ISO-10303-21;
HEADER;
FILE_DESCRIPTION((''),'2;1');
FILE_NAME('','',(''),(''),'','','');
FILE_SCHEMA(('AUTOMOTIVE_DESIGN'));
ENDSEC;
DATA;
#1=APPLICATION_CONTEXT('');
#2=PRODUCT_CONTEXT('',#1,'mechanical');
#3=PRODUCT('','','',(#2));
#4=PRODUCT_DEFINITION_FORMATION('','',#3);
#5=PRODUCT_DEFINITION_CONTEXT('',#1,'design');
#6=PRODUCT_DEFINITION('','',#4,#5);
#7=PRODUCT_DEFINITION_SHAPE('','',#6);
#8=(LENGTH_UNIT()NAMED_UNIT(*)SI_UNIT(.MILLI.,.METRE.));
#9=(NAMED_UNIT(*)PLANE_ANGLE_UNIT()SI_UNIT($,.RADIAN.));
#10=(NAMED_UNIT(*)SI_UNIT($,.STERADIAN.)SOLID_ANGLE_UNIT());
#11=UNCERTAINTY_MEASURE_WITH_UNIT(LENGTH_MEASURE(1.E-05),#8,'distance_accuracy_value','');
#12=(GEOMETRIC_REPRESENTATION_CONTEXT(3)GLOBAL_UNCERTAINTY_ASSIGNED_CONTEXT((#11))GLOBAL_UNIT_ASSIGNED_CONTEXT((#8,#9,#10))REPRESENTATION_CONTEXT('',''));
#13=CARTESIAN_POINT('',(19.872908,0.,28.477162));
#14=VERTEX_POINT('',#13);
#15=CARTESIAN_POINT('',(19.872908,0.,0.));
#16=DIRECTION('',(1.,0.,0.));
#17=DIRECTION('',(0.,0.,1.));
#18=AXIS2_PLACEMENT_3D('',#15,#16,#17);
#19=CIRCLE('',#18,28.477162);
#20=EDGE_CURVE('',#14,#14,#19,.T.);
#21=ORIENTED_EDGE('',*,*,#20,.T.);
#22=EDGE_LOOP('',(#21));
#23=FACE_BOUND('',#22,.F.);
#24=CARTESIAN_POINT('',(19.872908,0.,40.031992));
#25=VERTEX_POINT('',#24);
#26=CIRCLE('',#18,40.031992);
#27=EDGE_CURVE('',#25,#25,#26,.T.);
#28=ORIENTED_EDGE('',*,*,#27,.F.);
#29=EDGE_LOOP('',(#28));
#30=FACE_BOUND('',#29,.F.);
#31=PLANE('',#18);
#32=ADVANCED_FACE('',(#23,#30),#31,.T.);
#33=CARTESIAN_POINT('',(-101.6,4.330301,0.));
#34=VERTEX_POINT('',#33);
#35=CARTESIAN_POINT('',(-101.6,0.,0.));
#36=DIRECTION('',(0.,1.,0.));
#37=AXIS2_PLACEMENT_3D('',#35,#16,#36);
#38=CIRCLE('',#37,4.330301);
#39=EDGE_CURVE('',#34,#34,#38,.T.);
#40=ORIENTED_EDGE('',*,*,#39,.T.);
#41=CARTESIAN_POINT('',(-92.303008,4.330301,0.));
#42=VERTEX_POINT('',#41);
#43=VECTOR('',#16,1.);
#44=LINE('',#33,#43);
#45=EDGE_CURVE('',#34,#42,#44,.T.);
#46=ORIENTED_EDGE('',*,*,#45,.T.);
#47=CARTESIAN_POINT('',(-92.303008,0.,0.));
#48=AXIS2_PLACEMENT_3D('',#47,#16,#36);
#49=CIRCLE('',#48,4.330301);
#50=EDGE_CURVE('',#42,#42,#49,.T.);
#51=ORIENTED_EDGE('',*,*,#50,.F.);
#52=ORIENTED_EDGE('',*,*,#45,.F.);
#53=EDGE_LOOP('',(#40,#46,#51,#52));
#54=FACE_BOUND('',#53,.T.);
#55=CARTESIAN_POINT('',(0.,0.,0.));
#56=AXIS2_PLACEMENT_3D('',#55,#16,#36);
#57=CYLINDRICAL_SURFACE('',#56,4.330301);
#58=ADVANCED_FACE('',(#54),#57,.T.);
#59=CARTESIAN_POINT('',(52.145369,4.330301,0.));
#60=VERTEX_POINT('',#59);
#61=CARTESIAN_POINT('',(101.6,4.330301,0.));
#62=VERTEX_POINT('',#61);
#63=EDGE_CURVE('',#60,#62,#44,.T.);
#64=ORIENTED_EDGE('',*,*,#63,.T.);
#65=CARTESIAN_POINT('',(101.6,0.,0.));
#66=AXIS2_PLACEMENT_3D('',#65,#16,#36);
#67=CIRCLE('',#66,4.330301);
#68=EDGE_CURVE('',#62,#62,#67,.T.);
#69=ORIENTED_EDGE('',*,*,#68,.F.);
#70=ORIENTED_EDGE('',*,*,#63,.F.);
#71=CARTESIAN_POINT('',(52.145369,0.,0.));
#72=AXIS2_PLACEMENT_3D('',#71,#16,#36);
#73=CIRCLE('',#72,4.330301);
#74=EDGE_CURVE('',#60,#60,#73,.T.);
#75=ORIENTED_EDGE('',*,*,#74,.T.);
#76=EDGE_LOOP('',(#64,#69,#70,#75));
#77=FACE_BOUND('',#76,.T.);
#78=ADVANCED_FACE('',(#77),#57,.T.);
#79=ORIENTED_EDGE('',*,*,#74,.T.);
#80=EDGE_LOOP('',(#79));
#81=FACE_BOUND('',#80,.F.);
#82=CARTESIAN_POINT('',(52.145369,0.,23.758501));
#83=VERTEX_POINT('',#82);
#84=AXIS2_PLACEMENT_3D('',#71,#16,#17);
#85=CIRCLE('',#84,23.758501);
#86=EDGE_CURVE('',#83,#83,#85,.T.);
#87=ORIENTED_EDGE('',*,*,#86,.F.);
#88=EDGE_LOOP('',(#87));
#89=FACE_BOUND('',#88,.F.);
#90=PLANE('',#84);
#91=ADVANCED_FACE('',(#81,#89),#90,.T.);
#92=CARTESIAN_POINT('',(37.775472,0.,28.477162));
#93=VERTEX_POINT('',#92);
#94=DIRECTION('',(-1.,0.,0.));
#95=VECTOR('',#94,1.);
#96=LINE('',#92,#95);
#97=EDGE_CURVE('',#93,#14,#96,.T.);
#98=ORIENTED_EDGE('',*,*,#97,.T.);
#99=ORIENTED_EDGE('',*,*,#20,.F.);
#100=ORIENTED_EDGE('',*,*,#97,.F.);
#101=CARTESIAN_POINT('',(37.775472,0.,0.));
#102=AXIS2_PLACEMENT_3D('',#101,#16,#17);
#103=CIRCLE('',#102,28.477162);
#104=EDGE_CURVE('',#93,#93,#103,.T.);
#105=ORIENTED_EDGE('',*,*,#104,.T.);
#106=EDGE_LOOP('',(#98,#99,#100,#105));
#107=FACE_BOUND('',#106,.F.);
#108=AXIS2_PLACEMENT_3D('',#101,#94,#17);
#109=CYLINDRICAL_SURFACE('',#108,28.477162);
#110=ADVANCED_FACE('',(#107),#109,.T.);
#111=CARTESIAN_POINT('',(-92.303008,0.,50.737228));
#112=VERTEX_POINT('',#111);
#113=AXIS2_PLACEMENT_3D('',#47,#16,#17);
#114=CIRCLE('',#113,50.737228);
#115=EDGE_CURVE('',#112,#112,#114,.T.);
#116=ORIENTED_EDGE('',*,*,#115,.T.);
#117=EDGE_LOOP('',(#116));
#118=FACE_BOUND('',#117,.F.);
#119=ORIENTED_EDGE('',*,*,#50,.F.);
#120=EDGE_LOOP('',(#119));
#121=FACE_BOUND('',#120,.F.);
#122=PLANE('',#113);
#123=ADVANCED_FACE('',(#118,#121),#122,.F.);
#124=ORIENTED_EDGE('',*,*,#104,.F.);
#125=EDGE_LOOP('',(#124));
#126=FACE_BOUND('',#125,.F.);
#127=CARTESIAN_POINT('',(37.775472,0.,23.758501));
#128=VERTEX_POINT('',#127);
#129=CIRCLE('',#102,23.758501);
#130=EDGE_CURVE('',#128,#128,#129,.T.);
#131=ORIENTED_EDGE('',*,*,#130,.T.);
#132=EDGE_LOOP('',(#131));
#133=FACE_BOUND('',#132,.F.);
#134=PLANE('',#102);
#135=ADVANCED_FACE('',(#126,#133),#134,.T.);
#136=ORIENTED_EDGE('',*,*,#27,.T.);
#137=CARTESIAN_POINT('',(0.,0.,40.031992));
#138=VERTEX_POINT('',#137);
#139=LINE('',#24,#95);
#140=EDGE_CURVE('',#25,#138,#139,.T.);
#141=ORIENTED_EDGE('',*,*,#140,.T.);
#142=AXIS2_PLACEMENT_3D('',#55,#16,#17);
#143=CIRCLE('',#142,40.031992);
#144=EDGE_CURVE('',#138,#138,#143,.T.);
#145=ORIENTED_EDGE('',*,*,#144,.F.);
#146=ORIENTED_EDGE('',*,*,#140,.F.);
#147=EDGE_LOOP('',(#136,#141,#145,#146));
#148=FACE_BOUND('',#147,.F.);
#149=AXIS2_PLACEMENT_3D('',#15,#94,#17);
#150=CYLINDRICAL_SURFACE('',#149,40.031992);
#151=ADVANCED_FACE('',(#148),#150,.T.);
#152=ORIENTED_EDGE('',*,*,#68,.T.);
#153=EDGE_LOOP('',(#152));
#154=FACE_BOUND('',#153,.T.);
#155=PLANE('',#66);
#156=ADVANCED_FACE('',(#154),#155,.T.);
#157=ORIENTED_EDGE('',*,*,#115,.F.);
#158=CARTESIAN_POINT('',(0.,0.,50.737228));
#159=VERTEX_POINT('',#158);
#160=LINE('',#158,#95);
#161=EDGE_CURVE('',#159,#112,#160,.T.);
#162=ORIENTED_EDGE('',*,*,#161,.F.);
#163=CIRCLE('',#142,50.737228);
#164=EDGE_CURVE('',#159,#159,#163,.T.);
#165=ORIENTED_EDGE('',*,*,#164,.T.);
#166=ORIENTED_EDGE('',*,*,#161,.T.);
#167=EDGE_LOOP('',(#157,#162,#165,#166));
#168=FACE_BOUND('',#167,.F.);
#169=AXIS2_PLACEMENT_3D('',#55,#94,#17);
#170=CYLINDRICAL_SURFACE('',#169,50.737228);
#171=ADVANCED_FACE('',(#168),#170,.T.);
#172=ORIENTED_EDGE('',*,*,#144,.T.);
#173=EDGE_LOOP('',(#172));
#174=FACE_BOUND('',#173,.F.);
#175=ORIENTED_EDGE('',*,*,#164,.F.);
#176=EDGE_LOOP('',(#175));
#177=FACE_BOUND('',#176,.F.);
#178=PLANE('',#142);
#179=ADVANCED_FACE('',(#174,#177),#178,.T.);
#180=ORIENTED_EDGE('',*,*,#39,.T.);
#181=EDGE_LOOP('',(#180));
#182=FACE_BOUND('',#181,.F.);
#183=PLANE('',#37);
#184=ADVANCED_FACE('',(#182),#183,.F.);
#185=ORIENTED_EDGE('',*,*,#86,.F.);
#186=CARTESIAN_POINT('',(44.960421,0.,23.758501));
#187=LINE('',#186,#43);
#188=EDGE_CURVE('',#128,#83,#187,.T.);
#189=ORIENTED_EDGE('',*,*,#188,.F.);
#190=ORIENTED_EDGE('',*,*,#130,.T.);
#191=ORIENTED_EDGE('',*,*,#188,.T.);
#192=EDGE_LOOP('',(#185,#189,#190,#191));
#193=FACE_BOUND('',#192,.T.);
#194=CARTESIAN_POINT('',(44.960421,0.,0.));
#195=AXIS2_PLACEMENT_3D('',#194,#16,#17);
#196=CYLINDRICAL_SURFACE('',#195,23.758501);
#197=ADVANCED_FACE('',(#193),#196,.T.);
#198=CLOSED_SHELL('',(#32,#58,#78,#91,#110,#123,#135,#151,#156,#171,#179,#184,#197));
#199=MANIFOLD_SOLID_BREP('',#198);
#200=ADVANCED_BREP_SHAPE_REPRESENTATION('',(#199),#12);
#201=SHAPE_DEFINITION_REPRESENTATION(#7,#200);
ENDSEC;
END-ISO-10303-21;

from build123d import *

# Parameters (mm, degrees)
F0_R     = 4.3303007039
F1_DEPTH = 101.6
F2_W     = 14.3698975444
F2_H     = 23.7585008144


with BuildPart() as f1:
    # F0 (on Right) → F1 (new body, symmetric)
    with BuildSketch(Plane.YZ):
        Circle(F0_R)
    extrude(amount=F1_DEPTH, both=True)

    # F2 (on Front) → F3 (revolve)
    with BuildSketch(Plane.XZ):
        Polygon((-92.3030078411, 50.7372282445), (-92.3030078411, 0), (0, 0), (0, 40.031991899), (0, 50.7372282445), align=None)
        Polygon((0, 40.031991899), (0, 0), (19.8729075491, 0), (19.8729075491, 28.4771621227), (19.8729075491, 40.031991899), align=None)
        Polygon((19.8729075491, 28.4771621227), (19.8729075491, 0), (37.7754718065, 0), (37.7754718065, 23.7585008144), (37.7754718065, 28.4771621227), align=None)
        with Locations((44.9604205787, 11.8792504072)):
            Rectangle(F2_W, F2_H)
    revolve(axis=Axis((0, 0, 0), (1, 0, 0)))


solid = f1.part
